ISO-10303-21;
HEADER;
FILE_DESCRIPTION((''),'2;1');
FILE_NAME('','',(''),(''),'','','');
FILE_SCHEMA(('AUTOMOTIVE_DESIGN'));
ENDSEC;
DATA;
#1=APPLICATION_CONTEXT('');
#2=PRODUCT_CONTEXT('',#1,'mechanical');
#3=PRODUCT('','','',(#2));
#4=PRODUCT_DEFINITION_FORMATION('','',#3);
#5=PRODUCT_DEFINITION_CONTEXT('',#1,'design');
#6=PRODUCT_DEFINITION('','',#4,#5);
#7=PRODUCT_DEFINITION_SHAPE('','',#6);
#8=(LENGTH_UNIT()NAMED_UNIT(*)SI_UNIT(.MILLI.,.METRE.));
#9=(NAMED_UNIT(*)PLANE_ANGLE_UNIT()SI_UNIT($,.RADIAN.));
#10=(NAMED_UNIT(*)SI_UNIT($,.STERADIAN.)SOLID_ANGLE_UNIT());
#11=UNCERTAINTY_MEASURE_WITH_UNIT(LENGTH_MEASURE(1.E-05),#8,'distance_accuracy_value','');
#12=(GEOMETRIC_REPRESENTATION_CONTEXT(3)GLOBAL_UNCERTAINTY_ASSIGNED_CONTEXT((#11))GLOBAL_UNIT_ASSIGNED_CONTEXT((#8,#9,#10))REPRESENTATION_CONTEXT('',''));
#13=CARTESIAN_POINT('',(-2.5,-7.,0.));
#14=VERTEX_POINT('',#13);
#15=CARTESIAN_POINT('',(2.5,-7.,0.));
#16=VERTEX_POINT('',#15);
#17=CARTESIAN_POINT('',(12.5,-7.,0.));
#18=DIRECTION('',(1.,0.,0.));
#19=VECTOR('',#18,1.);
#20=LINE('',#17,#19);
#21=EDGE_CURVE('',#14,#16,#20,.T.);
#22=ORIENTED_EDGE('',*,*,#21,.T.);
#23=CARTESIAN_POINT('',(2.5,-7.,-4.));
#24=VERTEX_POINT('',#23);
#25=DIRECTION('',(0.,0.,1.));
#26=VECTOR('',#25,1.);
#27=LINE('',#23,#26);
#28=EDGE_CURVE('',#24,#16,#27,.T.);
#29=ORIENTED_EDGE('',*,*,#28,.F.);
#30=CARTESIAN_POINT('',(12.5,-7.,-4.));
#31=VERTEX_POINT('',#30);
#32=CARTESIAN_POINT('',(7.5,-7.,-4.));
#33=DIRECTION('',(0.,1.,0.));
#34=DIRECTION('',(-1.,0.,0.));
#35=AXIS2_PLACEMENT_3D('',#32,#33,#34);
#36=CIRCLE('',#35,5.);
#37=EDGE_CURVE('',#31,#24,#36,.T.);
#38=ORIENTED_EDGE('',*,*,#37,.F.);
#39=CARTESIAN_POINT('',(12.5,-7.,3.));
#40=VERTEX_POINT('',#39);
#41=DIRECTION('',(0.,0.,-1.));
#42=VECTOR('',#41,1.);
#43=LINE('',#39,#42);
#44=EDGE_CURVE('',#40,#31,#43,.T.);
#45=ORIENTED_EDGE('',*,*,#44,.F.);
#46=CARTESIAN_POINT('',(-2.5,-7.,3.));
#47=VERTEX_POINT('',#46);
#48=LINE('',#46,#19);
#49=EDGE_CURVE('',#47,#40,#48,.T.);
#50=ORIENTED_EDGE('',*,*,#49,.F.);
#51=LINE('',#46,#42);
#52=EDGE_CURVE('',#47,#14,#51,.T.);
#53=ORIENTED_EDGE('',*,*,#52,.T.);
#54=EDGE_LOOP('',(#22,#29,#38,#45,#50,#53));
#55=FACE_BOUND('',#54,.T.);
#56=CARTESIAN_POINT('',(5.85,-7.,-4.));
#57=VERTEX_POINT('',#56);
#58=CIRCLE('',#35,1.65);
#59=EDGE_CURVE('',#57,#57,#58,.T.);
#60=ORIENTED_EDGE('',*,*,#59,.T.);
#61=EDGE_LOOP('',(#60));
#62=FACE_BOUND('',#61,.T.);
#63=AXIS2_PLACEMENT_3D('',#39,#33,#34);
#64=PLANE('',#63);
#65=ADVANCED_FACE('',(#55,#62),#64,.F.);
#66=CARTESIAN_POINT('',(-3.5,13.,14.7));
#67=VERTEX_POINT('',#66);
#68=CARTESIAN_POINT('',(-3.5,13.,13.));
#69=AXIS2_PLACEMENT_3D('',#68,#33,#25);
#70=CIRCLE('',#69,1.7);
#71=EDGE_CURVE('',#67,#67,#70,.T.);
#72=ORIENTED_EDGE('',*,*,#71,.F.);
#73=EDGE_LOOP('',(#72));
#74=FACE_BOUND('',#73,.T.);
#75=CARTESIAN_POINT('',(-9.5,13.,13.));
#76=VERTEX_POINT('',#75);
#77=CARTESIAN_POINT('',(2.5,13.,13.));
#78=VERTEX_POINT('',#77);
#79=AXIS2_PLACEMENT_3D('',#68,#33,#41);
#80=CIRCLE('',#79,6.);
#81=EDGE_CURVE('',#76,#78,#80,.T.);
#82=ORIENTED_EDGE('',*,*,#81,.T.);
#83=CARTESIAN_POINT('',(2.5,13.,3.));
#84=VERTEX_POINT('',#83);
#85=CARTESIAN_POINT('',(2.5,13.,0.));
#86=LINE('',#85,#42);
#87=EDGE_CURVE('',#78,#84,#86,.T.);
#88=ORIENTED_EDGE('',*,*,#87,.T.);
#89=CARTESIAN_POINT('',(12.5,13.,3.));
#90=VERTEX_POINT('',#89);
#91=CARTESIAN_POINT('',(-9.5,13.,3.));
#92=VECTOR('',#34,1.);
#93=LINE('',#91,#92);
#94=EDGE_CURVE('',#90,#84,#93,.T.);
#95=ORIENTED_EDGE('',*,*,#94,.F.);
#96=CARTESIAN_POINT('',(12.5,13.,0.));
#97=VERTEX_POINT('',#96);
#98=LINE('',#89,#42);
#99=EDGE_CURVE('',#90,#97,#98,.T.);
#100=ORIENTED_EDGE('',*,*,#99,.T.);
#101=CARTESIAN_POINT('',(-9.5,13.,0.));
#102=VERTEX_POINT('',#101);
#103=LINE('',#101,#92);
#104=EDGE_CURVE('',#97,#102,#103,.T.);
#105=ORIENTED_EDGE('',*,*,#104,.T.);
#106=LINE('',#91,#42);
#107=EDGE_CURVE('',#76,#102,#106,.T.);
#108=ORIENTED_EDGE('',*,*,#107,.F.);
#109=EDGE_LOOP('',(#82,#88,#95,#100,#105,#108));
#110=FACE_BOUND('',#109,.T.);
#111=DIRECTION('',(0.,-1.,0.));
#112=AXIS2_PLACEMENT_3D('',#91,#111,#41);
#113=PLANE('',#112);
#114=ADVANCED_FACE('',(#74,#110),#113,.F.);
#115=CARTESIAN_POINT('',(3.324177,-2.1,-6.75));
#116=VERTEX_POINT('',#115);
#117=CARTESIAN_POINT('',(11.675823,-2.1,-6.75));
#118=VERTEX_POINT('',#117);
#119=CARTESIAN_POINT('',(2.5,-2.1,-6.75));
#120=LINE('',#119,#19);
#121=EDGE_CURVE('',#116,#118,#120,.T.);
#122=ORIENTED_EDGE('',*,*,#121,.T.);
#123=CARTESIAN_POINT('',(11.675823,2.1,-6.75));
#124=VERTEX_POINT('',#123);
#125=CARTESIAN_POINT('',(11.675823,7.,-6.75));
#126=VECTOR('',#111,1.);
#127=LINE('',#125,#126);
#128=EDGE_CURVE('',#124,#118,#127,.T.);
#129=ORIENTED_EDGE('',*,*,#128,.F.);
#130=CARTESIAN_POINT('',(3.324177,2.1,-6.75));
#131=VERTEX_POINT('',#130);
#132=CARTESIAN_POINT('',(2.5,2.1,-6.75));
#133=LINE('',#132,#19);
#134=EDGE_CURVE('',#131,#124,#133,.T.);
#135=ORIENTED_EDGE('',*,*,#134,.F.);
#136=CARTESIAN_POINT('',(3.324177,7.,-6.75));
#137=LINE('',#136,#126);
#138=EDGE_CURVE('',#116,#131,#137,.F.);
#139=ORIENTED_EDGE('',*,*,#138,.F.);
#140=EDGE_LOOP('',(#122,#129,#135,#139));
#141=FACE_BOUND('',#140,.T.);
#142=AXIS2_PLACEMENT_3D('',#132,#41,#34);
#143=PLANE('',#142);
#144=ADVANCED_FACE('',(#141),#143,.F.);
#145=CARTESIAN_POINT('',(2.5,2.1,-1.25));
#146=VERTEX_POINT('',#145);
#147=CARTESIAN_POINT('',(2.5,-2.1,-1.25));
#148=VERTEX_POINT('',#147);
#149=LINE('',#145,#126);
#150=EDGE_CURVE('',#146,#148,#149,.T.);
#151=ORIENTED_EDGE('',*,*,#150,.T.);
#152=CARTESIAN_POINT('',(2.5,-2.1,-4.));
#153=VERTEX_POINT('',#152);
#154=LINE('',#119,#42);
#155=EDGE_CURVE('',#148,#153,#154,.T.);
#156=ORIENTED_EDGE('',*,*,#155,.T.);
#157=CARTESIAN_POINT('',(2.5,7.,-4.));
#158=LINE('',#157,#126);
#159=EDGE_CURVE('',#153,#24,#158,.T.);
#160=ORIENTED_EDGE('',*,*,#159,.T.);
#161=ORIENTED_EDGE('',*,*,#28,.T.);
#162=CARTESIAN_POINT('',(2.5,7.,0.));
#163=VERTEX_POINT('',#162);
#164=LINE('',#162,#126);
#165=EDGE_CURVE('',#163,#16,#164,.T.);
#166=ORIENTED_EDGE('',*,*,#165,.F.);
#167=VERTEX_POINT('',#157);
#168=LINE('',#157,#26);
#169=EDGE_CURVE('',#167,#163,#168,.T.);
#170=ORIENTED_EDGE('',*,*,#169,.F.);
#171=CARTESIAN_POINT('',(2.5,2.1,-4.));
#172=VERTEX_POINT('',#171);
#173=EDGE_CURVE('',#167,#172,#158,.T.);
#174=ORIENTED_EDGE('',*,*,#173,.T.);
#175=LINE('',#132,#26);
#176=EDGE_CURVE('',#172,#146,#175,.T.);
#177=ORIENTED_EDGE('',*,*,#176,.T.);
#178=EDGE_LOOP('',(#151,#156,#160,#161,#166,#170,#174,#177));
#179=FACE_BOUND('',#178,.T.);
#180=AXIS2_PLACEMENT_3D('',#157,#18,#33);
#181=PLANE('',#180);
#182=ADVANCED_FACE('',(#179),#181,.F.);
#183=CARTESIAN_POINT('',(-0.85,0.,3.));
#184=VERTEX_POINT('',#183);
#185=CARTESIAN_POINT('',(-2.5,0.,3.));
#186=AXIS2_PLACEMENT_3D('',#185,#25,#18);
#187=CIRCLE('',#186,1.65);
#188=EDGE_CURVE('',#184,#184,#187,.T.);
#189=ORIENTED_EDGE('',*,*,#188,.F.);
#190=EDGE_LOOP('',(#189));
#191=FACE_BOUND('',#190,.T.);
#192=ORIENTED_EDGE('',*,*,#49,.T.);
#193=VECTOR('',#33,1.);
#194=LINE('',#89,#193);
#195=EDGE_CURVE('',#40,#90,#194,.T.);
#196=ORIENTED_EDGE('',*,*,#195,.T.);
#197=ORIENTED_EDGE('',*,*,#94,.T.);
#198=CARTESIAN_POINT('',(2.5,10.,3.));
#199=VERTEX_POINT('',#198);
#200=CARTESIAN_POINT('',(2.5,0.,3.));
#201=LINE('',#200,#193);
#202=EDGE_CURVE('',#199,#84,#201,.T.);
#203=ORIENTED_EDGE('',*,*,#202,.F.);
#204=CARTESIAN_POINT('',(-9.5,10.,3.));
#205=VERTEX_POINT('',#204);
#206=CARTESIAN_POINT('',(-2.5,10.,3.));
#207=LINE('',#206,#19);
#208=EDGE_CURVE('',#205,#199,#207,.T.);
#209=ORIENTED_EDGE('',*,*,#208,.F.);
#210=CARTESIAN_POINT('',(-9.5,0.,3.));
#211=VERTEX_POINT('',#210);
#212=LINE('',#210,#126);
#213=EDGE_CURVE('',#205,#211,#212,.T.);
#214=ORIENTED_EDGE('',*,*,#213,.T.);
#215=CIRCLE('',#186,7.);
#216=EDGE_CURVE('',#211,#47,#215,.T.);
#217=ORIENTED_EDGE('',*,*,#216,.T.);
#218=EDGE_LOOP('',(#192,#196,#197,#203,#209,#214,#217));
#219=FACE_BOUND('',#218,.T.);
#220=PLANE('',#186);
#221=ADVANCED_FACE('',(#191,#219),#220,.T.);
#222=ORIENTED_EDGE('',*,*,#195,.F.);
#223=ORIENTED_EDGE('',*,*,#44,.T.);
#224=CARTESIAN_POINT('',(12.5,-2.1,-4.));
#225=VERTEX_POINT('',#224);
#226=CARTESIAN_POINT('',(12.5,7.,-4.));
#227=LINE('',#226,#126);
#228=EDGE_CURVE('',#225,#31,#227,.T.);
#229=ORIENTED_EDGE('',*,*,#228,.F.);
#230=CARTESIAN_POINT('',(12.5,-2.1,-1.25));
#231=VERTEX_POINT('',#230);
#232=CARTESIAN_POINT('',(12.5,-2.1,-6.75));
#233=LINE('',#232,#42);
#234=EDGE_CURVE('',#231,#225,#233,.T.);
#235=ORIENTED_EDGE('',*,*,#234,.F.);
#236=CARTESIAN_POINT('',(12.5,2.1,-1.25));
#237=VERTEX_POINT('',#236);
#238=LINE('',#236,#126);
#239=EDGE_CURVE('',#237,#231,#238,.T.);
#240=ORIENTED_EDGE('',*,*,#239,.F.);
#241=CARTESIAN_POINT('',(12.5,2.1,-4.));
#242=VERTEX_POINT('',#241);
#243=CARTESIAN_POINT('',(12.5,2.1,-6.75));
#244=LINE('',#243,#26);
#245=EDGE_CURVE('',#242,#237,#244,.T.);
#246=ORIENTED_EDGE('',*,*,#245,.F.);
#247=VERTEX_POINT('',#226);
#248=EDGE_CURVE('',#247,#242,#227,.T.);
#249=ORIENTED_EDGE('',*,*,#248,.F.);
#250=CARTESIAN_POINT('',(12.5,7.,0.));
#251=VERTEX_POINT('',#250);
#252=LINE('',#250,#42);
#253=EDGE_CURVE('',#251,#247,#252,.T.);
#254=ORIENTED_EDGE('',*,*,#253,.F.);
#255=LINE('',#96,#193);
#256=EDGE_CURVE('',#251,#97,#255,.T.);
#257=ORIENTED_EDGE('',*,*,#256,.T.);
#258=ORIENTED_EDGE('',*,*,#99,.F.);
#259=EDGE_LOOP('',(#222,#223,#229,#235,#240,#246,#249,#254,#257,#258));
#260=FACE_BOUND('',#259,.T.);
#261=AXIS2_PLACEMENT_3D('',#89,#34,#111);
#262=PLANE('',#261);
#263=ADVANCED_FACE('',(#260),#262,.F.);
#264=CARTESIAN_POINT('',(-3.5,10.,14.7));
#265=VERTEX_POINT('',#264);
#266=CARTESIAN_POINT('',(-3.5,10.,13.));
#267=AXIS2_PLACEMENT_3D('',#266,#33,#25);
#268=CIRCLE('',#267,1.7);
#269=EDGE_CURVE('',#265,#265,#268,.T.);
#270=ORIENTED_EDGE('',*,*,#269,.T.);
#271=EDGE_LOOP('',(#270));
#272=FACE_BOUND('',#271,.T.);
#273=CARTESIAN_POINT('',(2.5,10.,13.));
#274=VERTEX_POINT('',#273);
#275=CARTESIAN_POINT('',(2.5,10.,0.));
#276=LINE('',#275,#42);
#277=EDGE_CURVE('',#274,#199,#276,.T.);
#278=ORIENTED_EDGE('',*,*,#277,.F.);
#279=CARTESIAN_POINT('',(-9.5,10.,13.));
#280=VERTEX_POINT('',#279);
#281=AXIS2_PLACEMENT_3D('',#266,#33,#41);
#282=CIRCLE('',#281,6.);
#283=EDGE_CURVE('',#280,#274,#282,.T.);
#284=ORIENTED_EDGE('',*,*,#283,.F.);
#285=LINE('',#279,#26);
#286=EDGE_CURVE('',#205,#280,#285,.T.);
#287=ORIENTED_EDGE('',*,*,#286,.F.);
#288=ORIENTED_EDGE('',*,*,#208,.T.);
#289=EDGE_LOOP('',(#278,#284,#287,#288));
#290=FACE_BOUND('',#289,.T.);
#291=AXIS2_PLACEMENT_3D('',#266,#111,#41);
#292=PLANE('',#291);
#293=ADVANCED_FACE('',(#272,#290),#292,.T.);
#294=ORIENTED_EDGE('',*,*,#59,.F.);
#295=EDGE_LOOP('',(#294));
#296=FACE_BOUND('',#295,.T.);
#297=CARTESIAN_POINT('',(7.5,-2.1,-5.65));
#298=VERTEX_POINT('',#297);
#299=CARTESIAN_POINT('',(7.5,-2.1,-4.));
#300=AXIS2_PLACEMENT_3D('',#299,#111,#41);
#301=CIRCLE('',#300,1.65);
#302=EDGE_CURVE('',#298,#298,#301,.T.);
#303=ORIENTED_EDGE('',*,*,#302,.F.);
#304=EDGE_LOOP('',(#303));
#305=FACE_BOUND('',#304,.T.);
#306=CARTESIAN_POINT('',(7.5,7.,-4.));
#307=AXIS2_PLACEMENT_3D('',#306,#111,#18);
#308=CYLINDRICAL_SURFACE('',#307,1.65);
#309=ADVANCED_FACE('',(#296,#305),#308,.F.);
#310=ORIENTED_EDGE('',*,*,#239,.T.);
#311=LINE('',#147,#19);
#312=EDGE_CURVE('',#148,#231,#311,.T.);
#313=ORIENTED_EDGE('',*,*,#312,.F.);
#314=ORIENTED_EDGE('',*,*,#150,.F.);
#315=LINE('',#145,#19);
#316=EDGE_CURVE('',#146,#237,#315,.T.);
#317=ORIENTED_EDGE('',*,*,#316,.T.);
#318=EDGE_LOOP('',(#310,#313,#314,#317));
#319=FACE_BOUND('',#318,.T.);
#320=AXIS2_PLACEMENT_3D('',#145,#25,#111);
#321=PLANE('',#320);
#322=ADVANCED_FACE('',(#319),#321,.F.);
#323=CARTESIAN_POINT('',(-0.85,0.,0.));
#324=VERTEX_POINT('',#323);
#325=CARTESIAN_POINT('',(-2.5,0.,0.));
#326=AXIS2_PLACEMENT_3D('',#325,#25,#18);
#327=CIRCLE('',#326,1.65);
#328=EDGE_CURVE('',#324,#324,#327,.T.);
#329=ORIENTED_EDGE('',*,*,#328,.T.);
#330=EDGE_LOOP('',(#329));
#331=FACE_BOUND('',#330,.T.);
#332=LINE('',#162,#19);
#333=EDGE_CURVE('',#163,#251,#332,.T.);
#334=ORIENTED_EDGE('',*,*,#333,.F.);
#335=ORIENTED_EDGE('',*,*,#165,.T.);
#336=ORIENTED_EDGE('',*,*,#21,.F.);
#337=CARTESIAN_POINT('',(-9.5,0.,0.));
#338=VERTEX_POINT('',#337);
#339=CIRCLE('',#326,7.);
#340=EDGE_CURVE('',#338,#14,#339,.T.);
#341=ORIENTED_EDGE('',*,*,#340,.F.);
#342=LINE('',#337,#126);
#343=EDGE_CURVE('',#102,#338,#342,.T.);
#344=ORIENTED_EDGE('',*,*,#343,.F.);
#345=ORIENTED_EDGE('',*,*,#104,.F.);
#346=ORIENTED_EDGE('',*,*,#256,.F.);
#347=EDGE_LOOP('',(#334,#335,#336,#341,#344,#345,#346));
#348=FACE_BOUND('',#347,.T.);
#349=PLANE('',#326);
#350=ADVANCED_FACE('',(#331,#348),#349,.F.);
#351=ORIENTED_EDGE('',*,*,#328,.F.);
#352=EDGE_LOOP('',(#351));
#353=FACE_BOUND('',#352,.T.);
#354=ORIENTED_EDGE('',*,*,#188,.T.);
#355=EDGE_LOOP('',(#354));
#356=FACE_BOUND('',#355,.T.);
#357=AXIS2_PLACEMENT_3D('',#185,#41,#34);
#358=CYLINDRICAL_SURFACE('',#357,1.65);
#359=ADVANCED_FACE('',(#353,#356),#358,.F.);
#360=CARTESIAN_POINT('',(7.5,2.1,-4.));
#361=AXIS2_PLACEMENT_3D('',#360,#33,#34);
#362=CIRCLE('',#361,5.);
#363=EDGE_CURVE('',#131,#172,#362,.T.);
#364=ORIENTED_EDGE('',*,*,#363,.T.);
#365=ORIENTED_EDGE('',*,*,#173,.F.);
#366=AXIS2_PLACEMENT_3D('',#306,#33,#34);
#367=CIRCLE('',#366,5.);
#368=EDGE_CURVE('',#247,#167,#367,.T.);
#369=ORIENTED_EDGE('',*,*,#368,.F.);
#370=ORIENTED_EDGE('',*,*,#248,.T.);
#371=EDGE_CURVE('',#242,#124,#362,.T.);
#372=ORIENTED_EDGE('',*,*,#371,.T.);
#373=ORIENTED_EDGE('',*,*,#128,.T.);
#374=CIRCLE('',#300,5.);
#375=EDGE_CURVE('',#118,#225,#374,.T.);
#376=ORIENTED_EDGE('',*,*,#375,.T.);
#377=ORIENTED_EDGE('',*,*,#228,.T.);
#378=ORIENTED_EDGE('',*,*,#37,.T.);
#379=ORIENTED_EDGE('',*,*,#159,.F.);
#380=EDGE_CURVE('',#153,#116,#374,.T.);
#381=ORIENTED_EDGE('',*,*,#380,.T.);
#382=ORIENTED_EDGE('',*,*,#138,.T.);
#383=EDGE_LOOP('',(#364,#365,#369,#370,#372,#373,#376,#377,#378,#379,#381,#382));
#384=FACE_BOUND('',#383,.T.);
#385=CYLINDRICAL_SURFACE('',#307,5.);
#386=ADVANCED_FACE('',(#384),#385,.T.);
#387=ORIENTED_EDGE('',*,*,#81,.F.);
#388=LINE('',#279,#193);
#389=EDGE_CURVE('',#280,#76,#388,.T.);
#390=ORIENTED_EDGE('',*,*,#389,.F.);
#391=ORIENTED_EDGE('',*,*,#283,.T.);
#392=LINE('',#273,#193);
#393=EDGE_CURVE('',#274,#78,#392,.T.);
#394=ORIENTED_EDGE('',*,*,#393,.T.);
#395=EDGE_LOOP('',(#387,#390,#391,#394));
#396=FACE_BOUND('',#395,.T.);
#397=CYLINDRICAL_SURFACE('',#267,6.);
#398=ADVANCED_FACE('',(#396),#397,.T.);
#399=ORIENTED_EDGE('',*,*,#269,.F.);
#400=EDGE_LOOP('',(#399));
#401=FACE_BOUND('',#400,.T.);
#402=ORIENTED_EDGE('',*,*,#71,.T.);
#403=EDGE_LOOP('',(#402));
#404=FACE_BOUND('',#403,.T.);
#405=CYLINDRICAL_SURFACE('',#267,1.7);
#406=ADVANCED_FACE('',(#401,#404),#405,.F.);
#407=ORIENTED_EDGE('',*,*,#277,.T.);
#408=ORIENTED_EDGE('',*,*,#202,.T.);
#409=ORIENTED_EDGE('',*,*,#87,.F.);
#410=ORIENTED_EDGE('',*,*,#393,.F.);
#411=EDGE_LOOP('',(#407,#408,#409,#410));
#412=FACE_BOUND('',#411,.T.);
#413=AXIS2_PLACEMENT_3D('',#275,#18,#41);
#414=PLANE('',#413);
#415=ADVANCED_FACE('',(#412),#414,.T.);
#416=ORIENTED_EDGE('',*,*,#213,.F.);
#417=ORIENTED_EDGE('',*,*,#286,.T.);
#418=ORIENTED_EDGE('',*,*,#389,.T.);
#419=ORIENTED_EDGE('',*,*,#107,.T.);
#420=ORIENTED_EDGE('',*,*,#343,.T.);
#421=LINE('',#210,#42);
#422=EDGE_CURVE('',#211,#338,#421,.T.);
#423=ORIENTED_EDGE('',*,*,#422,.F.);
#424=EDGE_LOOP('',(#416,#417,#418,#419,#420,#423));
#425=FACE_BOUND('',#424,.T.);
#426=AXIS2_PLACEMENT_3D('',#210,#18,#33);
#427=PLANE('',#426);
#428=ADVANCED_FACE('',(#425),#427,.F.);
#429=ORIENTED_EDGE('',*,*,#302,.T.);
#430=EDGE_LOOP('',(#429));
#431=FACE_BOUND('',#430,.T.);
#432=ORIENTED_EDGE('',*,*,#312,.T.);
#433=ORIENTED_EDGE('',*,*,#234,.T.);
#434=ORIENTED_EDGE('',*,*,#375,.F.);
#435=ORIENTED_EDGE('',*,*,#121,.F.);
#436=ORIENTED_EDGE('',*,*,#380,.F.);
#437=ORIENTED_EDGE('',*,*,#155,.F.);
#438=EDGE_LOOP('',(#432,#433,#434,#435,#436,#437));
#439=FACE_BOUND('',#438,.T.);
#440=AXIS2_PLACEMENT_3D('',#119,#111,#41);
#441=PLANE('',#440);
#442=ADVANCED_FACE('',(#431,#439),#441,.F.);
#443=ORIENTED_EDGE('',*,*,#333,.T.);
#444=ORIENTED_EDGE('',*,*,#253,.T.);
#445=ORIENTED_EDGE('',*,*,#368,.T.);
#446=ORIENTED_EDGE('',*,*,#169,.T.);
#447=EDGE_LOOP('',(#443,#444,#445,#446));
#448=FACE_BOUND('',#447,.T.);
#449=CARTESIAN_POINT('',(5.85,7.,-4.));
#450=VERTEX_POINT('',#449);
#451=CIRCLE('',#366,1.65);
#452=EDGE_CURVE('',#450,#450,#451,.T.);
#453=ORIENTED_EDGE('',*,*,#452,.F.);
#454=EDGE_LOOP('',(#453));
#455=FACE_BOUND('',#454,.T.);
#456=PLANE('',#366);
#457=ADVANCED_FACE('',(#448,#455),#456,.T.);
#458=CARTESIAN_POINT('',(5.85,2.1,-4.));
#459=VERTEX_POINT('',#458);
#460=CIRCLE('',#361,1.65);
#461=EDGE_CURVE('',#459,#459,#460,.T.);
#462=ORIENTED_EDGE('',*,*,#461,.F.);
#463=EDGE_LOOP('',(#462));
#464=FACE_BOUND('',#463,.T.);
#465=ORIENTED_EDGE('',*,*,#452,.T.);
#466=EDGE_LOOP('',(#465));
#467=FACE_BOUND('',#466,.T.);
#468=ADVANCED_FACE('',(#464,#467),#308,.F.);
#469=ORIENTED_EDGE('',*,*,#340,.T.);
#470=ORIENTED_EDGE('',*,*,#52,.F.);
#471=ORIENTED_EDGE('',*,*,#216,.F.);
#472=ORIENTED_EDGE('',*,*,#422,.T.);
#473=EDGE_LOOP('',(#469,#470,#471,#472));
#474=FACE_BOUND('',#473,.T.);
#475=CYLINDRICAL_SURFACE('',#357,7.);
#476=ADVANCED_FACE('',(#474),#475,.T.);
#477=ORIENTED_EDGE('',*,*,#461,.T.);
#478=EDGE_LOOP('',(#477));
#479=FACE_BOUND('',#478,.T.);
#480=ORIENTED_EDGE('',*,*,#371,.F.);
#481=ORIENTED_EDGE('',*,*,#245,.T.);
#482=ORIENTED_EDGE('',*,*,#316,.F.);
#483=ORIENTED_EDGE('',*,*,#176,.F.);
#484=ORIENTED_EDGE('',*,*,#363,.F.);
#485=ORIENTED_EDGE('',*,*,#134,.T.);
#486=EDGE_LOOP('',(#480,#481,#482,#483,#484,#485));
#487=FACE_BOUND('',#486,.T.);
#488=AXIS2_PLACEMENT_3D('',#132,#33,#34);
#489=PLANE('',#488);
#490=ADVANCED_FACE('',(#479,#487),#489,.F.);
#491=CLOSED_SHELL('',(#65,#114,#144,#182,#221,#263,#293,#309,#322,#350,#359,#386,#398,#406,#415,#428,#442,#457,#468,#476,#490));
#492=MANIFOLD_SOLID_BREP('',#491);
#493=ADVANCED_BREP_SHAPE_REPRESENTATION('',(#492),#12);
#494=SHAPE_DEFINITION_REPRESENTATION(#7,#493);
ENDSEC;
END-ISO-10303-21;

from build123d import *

# Parameters (mm, degrees)
ESBO_O1_R                = 1.65
RESSALTO_EXTRUS_O1_DEPTH = 3
ESBO_O3_R                = 1.65
RESSALTO_EXTRUS_O2_DEPTH = 14
ESBO_O4_W                = 5.5
ESBO_O4_H                = 4.2
CORTE_EXTRUS_O1_DEPTH    = 10
ESBO_O5_R                = 1.7
RESSALTO_EXTRUS_O3_DEPTH = 3


with BuildPart() as part:
    # Esboço1 → Ressalto-extrusão1 (new body)
    with BuildSketch(Plane.XY):
        with BuildLine():
            Line((-2.5, -7), (2.5, -7))
            Line((2.5, -7), (12.5, -7))
            Line((12.5, -7), (12.5, 13))
            Line((12.5, 13), (-9.5, 13))
            Line((-9.5, 13), (-9.5, 0))
            ThreePointArc((-9.5, 0), (-7.449747468, -4.949747468), (-2.5, -7))
        make_face()
        with Locations((-2.5, 0)):
            Circle(ESBO_O1_R, mode=Mode.SUBTRACT)
    extrude(amount=RESSALTO_EXTRUS_O1_DEPTH)

    # Esboço3 → Ressalto-extrusão2 (add)
    with BuildSketch(Plane(origin=(0, -7, 0), x_dir=(1, 0, 0), z_dir=(0, 1, 0))):
        with BuildLine():
            Line((2.5, 4), (2.5, 0))
            Line((2.5, 0), (12.5, 0))
            Line((12.5, 0), (12.5, 4))
            ThreePointArc((12.5, 4), (7.5, 9), (2.5, 4))
        make_face()
        with Locations((7.5, 4)):
            Circle(ESBO_O3_R, mode=Mode.SUBTRACT)
    extrude(amount=RESSALTO_EXTRUS_O2_DEPTH)

    # Esboço4 → Corte-extrusão1 (cut)
    with BuildSketch(Plane(origin=(12.5, 0, 0), x_dir=(0, 0, -1), z_dir=(1, 0, 0))):
        with Locations((4, 0)):
            Rectangle(ESBO_O4_W, ESBO_O4_H)
    extrude(amount=-CORTE_EXTRUS_O1_DEPTH, mode=Mode.SUBTRACT)

    # Esboço5 → Ressalto-extrusão3 (add)
    with BuildSketch(Plane(origin=(0, 13, 0), x_dir=(1, 0, 0), z_dir=(0, 1, 0))):
        with BuildLine():
            Line((2.5, 0), (2.5, -13))
            ThreePointArc((2.5, -13), (-3.5, -19), (-9.5, -13))
            Line((-9.5, -13), (-9.5, 0))
            Line((-9.5, 0), (2.5, 0))
        make_face()
        with Locations((-3.5, -13)):
            Circle(ESBO_O5_R, mode=Mode.SUBTRACT)
    extrude(amount=-RESSALTO_EXTRUS_O3_DEPTH)


solid = part.part
